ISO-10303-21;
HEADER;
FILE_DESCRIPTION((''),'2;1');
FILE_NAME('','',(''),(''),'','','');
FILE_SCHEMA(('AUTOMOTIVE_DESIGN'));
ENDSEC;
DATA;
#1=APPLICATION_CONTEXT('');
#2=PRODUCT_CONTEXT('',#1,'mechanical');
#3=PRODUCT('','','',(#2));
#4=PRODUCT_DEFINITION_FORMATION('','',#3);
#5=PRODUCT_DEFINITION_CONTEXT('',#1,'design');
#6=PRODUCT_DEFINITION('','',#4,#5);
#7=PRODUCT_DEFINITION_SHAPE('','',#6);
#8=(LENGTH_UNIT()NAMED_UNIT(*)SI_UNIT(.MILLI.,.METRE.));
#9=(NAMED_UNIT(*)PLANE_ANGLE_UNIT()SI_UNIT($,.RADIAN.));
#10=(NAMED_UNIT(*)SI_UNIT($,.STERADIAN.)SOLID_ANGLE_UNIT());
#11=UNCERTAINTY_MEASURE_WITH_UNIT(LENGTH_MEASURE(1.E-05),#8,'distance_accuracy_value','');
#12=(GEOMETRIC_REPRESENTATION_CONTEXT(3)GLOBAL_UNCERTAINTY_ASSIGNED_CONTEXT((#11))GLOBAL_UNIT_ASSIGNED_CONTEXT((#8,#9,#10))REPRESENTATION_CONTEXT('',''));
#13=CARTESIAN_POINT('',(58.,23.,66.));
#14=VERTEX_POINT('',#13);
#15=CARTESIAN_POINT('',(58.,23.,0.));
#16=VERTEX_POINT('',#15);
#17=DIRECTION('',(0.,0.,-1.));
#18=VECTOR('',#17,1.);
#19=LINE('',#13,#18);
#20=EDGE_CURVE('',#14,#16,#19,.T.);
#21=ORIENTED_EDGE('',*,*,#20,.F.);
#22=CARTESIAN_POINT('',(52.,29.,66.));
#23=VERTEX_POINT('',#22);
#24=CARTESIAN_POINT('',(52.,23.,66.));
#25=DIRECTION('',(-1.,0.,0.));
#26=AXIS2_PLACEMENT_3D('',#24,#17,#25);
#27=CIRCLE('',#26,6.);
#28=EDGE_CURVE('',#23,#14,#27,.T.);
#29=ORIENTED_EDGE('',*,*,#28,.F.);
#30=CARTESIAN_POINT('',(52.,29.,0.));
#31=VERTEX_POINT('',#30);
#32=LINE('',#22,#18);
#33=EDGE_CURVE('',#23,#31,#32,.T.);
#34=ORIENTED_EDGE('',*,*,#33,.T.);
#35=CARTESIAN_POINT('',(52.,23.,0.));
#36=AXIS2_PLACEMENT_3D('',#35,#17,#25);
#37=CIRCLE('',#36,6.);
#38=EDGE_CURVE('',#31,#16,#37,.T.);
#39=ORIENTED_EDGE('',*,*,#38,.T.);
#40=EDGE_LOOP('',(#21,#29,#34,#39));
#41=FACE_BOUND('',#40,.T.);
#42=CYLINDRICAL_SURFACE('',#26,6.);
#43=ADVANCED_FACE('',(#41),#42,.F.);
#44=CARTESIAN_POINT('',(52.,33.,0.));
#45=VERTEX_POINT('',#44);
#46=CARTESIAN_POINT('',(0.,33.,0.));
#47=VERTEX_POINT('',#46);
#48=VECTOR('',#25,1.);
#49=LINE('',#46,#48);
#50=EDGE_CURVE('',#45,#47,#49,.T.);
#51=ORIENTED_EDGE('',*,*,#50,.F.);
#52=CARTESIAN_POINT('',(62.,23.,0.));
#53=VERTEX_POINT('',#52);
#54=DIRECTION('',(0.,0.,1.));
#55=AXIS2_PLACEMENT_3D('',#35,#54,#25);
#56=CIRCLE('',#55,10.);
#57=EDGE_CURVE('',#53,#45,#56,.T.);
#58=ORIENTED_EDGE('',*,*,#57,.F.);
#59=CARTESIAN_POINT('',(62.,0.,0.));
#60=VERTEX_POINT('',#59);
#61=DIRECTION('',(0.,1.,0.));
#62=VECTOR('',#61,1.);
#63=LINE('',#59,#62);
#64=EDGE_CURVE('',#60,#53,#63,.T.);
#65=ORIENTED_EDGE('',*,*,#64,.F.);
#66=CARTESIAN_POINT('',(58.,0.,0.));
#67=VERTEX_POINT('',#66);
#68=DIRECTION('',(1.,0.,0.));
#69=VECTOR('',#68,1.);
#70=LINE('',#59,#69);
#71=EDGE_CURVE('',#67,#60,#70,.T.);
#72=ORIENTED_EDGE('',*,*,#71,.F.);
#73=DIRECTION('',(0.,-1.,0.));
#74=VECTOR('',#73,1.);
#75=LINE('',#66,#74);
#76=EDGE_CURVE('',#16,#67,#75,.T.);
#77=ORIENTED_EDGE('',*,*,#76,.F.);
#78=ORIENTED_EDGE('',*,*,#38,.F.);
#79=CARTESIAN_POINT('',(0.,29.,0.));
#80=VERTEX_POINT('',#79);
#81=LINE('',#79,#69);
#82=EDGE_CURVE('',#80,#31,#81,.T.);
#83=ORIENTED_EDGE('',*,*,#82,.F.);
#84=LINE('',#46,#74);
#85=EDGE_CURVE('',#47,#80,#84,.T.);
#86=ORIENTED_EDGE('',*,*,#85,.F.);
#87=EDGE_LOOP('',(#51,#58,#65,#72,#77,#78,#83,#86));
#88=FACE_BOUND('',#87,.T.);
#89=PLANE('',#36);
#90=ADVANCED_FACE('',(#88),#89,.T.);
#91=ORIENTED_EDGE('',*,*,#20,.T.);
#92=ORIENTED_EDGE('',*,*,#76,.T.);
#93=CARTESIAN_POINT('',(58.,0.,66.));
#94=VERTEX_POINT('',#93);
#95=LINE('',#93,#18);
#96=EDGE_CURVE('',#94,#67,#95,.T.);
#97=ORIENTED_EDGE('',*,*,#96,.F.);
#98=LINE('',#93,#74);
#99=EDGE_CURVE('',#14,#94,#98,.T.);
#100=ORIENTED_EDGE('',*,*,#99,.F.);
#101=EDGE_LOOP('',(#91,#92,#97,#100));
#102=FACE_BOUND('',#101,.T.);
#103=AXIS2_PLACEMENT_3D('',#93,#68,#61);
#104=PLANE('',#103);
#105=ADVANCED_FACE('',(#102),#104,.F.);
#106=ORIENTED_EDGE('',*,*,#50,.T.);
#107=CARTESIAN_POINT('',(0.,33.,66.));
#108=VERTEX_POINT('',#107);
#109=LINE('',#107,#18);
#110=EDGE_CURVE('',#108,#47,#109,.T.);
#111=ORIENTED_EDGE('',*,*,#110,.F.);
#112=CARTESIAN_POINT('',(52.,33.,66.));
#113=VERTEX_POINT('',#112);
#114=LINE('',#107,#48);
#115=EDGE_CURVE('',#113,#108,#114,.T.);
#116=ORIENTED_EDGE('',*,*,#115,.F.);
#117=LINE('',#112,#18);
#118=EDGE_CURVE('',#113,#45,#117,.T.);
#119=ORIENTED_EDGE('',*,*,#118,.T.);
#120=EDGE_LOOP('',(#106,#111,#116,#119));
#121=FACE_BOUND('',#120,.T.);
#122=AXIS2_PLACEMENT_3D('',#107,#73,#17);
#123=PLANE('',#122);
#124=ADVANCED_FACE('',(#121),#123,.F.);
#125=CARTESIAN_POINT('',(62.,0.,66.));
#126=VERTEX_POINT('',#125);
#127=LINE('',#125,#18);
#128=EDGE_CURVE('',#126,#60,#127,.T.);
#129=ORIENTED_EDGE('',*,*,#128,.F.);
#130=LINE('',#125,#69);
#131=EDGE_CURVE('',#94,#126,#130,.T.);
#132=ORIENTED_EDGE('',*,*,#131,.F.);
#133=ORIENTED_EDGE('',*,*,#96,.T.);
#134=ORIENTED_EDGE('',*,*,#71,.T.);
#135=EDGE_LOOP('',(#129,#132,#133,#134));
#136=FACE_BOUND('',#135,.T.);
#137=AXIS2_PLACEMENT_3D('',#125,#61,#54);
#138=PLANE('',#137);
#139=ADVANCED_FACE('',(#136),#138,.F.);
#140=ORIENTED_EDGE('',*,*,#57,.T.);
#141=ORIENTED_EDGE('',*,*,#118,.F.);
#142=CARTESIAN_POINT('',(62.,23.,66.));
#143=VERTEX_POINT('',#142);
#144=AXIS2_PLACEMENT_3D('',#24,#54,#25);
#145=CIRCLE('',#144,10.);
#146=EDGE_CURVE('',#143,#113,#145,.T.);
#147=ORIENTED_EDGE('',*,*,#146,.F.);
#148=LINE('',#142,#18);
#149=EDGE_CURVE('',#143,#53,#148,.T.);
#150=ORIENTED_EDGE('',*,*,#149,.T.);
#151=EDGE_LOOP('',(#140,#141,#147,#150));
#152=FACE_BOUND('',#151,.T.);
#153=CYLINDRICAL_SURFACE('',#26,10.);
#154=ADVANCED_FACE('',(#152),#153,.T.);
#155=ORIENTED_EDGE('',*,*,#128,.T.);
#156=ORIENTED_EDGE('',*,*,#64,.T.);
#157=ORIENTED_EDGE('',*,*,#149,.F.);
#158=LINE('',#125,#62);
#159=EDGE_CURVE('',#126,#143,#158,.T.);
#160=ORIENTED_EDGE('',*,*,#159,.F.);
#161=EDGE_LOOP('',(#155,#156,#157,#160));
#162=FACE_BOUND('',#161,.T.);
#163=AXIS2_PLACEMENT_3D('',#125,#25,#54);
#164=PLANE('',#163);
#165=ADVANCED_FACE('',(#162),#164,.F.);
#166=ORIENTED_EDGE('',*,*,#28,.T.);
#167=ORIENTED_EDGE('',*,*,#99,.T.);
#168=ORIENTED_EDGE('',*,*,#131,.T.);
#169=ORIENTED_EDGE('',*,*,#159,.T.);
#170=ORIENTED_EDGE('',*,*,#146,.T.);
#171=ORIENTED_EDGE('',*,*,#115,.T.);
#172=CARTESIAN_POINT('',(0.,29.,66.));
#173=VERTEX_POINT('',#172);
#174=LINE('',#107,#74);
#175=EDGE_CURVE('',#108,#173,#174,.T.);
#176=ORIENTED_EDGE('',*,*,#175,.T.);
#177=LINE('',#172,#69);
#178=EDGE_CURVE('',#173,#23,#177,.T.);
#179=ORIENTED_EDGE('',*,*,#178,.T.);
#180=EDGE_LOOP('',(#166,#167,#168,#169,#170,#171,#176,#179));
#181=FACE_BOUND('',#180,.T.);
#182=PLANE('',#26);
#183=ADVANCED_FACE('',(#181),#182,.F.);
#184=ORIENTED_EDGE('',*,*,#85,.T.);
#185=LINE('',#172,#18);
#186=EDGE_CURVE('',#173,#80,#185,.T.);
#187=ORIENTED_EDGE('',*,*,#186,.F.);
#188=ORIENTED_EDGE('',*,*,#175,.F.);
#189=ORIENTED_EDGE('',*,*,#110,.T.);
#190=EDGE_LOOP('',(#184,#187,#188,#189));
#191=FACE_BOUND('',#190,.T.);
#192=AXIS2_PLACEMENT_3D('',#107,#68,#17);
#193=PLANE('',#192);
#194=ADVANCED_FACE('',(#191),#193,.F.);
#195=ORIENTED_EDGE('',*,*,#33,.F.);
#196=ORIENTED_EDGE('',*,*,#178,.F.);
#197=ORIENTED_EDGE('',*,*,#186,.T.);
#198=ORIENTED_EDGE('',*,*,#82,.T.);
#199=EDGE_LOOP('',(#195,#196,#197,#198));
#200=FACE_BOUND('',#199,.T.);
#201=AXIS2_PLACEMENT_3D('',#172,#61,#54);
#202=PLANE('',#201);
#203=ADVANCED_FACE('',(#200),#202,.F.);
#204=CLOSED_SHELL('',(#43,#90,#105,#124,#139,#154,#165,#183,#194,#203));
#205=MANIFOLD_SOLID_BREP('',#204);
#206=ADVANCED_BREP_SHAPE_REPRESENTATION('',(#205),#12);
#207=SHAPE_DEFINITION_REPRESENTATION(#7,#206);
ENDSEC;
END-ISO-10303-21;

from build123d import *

# Parameters (mm, degrees)
BOSS_EXTRUDE1_DEPTH = 66


with BuildPart() as part:
    # Sketch1 → Boss-Extrude1 (new body)
    with BuildSketch(Plane.XY):
        with BuildLine():
            Line((0, 29), (52, 29))
            ThreePointArc((52, 29), (56.242640687, 27.242640687), (58, 23))
            Line((58, 23), (58, 0))
            Line((58, 0), (62, 0))
            Line((62, 0), (62, 23))
            ThreePointArc((62, 23), (59.071067812, 30.071067812), (52, 33))
            Line((52, 33), (0, 33))
            Line((0, 33), (0, 29))
        make_face()
    extrude(amount=BOSS_EXTRUDE1_DEPTH)


solid = part.part
